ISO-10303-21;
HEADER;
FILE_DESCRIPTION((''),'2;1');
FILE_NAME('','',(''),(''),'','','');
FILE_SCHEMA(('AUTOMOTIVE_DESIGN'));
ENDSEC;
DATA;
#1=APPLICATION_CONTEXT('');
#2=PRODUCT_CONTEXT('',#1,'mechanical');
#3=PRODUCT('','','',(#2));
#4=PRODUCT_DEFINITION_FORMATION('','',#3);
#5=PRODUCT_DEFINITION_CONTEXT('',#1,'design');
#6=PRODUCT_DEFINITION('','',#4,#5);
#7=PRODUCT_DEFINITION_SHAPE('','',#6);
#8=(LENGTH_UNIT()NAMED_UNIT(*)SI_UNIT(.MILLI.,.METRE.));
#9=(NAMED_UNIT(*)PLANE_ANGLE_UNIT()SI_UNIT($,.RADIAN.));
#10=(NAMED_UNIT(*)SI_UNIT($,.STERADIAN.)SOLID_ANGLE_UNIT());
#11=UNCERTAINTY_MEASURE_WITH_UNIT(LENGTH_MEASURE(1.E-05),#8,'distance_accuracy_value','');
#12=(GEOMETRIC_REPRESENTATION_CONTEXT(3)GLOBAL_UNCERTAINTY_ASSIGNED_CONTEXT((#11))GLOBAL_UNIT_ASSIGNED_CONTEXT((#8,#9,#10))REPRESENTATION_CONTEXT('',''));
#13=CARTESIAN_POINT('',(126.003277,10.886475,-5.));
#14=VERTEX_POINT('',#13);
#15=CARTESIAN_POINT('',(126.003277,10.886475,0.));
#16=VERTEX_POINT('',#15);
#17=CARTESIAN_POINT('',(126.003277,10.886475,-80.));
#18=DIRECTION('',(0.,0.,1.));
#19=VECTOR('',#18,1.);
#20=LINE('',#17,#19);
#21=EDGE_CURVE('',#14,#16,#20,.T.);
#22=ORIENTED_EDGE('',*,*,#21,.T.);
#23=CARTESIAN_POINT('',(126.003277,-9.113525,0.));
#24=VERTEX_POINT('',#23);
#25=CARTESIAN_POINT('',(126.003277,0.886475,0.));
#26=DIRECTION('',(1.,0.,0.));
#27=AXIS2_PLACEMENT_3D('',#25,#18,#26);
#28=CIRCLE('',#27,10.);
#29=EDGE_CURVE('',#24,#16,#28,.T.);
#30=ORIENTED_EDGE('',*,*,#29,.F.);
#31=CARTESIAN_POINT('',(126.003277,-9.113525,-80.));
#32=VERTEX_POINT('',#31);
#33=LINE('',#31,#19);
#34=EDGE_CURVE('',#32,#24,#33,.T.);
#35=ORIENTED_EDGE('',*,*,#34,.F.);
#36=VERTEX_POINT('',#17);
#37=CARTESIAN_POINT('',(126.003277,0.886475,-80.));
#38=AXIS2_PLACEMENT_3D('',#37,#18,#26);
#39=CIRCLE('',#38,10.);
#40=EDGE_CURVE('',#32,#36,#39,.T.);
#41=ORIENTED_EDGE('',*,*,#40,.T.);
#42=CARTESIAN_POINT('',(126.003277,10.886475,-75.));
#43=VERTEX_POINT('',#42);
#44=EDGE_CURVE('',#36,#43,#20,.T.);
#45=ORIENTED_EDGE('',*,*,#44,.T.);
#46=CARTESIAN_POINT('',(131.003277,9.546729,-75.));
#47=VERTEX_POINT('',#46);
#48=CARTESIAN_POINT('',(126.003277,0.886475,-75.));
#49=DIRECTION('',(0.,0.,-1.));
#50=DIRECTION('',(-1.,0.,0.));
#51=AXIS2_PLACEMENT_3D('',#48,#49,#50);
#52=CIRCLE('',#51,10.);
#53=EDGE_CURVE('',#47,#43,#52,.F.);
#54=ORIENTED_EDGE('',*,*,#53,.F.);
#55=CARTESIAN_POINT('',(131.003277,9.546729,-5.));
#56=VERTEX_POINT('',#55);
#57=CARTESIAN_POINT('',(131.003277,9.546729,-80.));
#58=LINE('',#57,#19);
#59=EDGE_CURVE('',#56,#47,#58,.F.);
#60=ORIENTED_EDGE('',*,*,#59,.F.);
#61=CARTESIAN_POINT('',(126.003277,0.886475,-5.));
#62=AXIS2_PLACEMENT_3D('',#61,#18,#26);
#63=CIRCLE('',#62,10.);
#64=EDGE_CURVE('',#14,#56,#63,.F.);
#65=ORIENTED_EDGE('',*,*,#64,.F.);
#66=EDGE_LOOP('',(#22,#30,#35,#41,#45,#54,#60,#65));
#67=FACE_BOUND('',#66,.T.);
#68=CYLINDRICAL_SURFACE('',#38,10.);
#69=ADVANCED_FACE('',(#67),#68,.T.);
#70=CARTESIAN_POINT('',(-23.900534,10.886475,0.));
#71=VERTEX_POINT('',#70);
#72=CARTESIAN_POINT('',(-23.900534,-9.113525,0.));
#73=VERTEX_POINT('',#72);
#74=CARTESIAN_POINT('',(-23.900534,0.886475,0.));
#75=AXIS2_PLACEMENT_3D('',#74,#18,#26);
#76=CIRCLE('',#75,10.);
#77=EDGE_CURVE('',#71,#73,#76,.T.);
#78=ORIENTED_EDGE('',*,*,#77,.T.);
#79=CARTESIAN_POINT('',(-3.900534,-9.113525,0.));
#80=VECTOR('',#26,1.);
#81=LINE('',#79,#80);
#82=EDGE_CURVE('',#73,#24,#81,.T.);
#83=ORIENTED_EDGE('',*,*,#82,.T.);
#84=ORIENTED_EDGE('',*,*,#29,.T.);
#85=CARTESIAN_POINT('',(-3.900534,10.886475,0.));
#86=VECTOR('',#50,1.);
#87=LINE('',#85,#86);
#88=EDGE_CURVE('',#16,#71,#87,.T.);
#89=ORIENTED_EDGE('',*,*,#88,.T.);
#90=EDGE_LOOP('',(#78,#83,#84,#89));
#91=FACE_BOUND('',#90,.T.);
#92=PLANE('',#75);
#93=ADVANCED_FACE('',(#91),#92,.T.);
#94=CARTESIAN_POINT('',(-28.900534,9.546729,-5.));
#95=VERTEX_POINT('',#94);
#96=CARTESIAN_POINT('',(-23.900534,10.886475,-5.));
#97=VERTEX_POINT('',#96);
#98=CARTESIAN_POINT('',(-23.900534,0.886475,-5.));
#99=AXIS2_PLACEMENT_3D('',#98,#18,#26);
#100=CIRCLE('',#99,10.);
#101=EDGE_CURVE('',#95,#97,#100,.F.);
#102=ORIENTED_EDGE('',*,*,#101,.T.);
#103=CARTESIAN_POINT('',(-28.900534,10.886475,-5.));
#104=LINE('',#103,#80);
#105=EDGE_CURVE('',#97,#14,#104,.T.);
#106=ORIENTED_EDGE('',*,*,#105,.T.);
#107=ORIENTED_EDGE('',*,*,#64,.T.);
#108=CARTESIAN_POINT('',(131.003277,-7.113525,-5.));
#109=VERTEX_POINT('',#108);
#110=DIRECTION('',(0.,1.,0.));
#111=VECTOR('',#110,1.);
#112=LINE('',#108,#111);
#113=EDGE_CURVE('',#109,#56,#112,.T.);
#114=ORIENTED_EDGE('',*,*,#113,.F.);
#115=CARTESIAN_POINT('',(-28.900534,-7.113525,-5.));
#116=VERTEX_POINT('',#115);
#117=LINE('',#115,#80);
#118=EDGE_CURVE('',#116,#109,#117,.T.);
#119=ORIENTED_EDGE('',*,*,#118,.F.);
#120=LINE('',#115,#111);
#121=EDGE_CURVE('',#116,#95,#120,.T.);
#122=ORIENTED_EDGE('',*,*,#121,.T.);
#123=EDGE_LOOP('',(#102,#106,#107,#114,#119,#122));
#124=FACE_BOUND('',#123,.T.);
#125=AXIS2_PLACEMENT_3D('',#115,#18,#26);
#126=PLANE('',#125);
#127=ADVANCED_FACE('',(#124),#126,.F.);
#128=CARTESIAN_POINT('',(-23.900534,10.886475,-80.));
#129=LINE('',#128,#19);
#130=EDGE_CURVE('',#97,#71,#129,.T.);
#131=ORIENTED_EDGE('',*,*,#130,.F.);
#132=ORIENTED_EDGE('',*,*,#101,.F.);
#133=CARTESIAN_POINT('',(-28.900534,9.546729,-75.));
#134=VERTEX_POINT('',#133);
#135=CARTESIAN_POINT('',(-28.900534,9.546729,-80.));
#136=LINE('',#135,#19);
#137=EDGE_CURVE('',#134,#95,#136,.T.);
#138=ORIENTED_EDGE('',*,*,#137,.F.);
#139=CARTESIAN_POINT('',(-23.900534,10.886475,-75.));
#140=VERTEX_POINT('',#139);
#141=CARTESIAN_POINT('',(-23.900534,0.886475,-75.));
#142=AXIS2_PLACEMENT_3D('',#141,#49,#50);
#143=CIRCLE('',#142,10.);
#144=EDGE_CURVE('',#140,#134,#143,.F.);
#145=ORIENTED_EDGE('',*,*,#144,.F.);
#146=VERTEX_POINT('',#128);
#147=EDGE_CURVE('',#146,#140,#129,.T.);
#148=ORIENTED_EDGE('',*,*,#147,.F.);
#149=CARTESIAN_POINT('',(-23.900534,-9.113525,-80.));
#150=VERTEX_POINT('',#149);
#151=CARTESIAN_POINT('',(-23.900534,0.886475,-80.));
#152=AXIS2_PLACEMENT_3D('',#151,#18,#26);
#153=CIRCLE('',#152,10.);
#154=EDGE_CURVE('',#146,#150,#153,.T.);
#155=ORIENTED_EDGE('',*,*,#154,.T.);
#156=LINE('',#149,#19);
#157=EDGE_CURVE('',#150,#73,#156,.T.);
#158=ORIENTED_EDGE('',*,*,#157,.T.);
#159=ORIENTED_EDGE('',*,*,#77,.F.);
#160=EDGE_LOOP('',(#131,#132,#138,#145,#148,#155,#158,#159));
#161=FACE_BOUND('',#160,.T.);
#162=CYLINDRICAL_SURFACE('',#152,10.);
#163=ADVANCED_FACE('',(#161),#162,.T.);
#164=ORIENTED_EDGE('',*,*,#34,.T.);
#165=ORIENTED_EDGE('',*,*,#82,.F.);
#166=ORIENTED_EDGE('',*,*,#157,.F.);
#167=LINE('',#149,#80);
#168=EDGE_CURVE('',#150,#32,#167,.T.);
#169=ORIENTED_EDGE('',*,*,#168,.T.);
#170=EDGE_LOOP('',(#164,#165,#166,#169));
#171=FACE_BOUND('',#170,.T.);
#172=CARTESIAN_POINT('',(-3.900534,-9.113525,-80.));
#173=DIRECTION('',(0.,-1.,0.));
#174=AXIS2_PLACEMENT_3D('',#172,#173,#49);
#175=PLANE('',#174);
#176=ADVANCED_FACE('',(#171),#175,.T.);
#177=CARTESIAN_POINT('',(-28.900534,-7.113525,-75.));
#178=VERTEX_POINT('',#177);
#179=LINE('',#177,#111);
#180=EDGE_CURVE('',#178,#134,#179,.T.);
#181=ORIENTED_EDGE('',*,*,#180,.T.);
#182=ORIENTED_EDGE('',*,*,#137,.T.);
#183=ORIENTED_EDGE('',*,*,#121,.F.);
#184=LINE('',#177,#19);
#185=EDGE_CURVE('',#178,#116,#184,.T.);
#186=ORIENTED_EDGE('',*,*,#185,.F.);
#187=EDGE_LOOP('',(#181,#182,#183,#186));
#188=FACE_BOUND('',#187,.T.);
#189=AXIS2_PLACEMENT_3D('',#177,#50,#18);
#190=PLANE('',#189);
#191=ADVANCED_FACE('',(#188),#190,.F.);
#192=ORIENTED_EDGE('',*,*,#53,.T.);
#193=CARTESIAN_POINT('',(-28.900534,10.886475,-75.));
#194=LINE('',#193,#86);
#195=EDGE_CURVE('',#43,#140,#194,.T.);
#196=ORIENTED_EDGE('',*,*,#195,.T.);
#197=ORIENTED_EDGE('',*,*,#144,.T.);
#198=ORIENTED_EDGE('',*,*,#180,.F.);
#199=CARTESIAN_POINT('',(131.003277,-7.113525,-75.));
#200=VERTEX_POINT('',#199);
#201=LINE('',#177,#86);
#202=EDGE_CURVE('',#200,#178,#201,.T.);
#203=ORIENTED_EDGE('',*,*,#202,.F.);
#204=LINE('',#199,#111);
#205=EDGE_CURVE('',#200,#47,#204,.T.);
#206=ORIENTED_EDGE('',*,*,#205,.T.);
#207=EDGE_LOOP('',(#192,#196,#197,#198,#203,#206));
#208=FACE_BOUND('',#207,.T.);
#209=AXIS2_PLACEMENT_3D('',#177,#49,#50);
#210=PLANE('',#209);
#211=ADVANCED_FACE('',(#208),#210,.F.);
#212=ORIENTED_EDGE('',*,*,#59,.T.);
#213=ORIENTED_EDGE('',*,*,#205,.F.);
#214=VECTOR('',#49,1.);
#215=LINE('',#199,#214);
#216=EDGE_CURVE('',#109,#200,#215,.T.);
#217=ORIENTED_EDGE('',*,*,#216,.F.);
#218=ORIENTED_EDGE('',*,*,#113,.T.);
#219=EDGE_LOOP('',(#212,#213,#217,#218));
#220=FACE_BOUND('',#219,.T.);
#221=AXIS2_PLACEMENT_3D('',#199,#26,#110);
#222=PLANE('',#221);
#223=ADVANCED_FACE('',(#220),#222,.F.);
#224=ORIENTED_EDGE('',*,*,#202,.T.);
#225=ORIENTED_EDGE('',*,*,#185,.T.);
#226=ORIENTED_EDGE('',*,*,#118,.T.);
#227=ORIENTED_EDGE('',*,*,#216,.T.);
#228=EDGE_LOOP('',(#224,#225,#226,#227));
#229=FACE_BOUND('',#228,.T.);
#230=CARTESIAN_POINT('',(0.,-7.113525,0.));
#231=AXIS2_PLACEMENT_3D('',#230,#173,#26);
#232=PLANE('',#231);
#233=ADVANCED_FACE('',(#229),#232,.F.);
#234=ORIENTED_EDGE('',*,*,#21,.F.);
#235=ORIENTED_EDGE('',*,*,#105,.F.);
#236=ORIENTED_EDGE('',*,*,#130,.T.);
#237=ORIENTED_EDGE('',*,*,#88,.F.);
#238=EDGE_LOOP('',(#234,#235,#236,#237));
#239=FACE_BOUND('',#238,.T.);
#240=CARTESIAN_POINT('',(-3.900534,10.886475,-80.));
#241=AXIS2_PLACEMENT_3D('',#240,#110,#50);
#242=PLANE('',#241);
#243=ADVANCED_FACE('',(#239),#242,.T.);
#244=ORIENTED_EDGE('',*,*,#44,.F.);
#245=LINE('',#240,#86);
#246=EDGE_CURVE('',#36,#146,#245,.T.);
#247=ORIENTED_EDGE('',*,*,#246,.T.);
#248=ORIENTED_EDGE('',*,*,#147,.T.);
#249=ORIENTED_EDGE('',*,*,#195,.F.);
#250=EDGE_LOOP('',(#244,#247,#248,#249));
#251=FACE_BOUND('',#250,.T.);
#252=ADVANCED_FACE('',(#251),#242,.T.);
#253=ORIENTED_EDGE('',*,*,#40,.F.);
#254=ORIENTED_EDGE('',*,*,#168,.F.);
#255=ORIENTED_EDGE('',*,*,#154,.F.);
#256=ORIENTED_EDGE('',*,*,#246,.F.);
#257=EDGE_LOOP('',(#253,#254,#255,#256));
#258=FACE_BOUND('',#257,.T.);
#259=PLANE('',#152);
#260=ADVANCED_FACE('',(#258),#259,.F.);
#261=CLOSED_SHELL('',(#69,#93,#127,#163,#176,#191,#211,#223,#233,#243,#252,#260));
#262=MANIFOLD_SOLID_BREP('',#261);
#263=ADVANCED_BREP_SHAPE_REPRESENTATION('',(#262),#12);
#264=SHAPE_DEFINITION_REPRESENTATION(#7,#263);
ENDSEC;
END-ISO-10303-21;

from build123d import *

# Parameters (mm, degrees)
BOSS_EXTRUDE1_DEPTH = 80
SKETCH2_W           = 159.903810567
SKETCH2_H           = 70
CUT_EXTRUDE1_DEPTH  = 18


with BuildPart() as part:
    # Sketch1 → Boss-Extrude1 (new body)
    with BuildSketch(Plane.XY):
        with BuildLine():
            Line((-3.900533574, 10.886474949), (126.003276993, 10.886474949))
            ThreePointArc((126.003276993, 10.886474949), (136.003276993, 0.886474949), (126.003276993, -9.113525051))
            Line((126.003276993, -9.113525051), (-3.900533574, -9.113525051))
            Line((-3.900533574, -9.113525051), (-23.900533574, -9.113525051))
            ThreePointArc((-23.900533574, -9.113525051), (-33.900533574, 0.886474949), (-23.900533574, 10.886474949))
            Line((-23.900533574, 10.886474949), (-3.900533574, 10.886474949))
        make_face()
    extrude(amount=-BOSS_EXTRUDE1_DEPTH)

    # Sketch2 → Cut-Extrude1 (cut)
    with BuildSketch(Plane(origin=(0, 10.886474949, 0), x_dir=(1, 0, 0), z_dir=(0, 1, 0))):
        with Locations((51.05137171, 40)):
            Rectangle(SKETCH2_W, SKETCH2_H)
    extrude(amount=-CUT_EXTRUDE1_DEPTH, mode=Mode.SUBTRACT)


solid = part.part
